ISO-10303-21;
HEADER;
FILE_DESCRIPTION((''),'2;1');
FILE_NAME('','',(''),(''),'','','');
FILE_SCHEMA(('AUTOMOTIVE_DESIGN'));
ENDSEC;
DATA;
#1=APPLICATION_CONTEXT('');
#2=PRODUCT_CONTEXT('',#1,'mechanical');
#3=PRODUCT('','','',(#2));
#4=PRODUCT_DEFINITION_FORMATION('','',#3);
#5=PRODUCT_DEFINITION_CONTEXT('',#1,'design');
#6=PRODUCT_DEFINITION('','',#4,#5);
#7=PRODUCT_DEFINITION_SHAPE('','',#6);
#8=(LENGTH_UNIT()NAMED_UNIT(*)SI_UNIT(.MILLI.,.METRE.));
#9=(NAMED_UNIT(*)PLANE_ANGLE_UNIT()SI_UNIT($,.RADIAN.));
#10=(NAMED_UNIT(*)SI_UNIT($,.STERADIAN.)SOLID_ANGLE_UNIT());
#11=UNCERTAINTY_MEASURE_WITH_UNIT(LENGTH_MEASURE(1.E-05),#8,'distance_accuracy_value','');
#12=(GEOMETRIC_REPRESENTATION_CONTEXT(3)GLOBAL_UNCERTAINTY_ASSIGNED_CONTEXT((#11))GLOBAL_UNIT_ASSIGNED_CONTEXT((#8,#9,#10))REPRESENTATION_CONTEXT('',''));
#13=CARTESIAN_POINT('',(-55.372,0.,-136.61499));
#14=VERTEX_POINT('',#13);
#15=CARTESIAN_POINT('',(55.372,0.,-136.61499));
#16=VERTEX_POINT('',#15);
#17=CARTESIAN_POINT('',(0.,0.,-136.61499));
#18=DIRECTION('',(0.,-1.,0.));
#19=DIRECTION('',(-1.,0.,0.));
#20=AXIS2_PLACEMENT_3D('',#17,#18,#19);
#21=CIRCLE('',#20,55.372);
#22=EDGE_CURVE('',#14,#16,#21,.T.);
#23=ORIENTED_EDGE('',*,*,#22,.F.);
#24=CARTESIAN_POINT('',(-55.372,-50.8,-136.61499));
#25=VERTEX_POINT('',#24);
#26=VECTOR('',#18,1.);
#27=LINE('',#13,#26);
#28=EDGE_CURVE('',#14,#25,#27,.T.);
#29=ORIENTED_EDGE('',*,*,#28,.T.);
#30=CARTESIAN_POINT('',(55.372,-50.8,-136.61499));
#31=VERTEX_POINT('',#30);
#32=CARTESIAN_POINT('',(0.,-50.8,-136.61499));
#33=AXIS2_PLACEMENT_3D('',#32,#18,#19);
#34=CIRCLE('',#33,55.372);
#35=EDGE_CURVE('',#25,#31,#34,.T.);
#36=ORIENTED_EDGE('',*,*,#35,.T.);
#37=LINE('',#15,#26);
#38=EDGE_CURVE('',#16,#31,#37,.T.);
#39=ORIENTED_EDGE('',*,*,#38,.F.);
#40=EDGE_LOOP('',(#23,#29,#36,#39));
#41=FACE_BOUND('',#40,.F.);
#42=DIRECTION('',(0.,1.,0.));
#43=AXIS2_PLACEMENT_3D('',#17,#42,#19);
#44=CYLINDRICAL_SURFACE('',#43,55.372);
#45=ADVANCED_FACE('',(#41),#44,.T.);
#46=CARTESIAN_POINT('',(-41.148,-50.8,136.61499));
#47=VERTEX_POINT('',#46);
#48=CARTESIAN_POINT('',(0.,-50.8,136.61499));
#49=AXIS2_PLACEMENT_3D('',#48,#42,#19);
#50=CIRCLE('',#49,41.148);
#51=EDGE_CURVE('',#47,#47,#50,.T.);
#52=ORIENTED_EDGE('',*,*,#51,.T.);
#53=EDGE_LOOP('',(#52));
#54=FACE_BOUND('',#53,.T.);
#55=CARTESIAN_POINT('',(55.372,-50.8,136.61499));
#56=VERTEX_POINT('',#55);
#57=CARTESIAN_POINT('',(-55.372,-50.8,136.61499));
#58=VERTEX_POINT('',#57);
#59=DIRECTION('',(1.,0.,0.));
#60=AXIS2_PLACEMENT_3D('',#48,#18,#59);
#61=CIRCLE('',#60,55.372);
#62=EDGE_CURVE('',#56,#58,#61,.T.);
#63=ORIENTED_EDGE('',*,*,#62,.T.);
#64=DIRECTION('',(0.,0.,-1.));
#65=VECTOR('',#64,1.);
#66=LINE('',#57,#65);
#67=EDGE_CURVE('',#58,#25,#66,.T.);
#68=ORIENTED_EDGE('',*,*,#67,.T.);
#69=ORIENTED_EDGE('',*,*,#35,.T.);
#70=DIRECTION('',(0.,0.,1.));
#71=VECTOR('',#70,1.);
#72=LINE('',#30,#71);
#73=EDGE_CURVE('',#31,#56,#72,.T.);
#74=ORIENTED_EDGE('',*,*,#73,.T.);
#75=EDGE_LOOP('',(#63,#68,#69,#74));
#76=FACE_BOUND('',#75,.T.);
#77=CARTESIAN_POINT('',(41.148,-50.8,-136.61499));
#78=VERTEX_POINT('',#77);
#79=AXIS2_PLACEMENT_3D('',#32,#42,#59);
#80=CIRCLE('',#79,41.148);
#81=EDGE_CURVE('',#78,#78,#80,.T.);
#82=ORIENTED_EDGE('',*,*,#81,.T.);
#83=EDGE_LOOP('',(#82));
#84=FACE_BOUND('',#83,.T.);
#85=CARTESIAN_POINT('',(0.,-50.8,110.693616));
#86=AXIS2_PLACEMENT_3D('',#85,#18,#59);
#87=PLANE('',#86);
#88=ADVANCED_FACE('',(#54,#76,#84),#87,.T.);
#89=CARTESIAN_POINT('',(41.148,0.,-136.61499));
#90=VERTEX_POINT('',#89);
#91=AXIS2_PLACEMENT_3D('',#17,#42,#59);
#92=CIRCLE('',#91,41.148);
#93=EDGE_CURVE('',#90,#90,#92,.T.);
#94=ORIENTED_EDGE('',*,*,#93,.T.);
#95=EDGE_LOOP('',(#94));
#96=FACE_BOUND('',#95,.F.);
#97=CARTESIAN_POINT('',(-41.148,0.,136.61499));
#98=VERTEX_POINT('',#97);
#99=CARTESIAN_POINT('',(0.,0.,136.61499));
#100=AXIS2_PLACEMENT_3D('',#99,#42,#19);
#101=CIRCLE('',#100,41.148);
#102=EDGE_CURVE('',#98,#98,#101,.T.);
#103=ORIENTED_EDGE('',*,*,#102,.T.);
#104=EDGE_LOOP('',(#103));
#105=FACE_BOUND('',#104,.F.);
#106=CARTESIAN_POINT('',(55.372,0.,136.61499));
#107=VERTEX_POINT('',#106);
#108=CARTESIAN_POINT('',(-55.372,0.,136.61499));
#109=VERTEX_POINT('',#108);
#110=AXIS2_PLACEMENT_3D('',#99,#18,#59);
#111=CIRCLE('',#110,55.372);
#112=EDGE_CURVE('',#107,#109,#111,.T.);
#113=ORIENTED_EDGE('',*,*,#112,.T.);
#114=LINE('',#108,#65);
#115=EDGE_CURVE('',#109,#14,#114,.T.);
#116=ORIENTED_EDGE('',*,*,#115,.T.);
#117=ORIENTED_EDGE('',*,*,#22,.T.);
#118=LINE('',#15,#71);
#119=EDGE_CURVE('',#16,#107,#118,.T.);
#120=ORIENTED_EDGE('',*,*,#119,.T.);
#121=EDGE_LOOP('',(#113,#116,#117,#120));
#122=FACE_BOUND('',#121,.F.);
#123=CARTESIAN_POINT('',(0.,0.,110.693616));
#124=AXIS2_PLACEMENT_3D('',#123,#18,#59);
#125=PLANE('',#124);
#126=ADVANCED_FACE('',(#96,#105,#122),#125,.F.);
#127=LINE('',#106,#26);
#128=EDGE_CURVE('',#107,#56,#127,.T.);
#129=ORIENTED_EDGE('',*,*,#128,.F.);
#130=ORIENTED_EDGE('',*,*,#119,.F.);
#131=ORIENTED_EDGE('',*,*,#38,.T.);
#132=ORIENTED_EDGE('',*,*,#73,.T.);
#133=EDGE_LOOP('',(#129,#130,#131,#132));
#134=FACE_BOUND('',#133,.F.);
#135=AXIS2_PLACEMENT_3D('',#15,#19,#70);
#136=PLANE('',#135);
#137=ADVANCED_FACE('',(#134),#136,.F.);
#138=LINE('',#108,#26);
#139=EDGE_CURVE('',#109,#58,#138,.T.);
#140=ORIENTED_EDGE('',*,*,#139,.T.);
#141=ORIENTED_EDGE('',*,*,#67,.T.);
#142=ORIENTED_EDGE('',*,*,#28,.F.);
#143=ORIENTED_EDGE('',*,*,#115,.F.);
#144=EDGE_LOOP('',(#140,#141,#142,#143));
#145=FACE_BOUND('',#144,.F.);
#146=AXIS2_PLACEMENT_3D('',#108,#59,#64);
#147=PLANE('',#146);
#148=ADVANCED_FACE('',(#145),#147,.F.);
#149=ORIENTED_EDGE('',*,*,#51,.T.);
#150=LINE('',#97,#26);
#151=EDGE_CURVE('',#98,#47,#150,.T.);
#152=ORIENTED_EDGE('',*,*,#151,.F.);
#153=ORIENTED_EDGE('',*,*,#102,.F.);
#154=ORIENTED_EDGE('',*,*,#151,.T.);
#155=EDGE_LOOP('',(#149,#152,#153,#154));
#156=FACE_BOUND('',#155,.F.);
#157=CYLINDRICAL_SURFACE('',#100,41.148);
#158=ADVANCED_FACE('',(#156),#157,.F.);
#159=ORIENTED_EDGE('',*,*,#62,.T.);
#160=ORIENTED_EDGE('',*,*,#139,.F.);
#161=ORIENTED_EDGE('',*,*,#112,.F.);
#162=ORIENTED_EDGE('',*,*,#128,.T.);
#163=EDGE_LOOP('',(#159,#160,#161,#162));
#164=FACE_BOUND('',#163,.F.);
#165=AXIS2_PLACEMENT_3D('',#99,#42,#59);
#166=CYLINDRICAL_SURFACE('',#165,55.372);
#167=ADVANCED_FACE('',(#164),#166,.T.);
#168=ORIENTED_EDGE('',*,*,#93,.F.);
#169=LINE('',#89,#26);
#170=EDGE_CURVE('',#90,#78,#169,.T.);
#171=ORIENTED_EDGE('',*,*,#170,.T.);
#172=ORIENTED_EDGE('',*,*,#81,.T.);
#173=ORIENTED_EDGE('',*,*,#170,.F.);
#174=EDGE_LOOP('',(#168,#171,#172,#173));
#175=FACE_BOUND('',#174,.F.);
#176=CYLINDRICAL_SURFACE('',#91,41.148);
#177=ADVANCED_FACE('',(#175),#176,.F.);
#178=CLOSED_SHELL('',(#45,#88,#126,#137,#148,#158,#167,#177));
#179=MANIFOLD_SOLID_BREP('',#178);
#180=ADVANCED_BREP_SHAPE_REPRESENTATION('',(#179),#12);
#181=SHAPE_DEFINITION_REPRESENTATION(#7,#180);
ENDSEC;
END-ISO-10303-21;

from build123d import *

# Parameters (mm, degrees)
F1_DEPTH = 50.8


with BuildPart() as f1:
    # F0 (on Front) → F1 (new body)
    with BuildSketch(Plane.XZ):
        with BuildLine():
            ThreePointArc((-55.372, 136.61499), (0, 81.24299), (55.372, 136.61499))
            Line((55.372, 136.61499), (41.148, 136.61499))
            ThreePointArc((41.148, 136.61499), (0, 95.46699), (-41.148, 136.61499))
            Line((-41.148, 136.61499), (-55.372, 136.61499))
        make_face()
        with BuildLine():
            Line((41.148, 136.61499), (55.372, 136.61499))
            ThreePointArc((55.372, 136.61499), (0, 191.98699), (-55.372, 136.61499))
            Line((-55.372, 136.61499), (-41.148, 136.61499))
            ThreePointArc((-41.148, 136.61499), (0, 177.76299), (41.148, 136.61499))
        make_face()
        with BuildLine():
            ThreePointArc((-55.372, -136.61499), (0, -81.24299), (55.372, -136.61499))
            Line((55.372, -136.61499), (55.372, 136.61499))
            ThreePointArc((55.372, 136.61499), (0, 81.24299), (-55.372, 136.61499))
            Line((-55.372, 136.61499), (-55.372, -136.61499))
        make_face()
        with BuildLine():
            Line((41.148, -136.61499), (55.372, -136.61499))
            ThreePointArc((55.372, -136.61499), (0, -81.24299), (-55.372, -136.61499))
            Line((-55.372, -136.61499), (-41.148, -136.61499))
            ThreePointArc((-41.148, -136.61499), (0, -95.46699), (41.148, -136.61499))
        make_face()
        with BuildLine():
            ThreePointArc((-55.372, -136.61499), (0, -191.98699), (55.372, -136.61499))
            Line((55.372, -136.61499), (41.148, -136.61499))
            ThreePointArc((41.148, -136.61499), (0, -177.76299), (-41.148, -136.61499))
            Line((-41.148, -136.61499), (-55.372, -136.61499))
        make_face()
    extrude(amount=F1_DEPTH)


solid = f1.part
